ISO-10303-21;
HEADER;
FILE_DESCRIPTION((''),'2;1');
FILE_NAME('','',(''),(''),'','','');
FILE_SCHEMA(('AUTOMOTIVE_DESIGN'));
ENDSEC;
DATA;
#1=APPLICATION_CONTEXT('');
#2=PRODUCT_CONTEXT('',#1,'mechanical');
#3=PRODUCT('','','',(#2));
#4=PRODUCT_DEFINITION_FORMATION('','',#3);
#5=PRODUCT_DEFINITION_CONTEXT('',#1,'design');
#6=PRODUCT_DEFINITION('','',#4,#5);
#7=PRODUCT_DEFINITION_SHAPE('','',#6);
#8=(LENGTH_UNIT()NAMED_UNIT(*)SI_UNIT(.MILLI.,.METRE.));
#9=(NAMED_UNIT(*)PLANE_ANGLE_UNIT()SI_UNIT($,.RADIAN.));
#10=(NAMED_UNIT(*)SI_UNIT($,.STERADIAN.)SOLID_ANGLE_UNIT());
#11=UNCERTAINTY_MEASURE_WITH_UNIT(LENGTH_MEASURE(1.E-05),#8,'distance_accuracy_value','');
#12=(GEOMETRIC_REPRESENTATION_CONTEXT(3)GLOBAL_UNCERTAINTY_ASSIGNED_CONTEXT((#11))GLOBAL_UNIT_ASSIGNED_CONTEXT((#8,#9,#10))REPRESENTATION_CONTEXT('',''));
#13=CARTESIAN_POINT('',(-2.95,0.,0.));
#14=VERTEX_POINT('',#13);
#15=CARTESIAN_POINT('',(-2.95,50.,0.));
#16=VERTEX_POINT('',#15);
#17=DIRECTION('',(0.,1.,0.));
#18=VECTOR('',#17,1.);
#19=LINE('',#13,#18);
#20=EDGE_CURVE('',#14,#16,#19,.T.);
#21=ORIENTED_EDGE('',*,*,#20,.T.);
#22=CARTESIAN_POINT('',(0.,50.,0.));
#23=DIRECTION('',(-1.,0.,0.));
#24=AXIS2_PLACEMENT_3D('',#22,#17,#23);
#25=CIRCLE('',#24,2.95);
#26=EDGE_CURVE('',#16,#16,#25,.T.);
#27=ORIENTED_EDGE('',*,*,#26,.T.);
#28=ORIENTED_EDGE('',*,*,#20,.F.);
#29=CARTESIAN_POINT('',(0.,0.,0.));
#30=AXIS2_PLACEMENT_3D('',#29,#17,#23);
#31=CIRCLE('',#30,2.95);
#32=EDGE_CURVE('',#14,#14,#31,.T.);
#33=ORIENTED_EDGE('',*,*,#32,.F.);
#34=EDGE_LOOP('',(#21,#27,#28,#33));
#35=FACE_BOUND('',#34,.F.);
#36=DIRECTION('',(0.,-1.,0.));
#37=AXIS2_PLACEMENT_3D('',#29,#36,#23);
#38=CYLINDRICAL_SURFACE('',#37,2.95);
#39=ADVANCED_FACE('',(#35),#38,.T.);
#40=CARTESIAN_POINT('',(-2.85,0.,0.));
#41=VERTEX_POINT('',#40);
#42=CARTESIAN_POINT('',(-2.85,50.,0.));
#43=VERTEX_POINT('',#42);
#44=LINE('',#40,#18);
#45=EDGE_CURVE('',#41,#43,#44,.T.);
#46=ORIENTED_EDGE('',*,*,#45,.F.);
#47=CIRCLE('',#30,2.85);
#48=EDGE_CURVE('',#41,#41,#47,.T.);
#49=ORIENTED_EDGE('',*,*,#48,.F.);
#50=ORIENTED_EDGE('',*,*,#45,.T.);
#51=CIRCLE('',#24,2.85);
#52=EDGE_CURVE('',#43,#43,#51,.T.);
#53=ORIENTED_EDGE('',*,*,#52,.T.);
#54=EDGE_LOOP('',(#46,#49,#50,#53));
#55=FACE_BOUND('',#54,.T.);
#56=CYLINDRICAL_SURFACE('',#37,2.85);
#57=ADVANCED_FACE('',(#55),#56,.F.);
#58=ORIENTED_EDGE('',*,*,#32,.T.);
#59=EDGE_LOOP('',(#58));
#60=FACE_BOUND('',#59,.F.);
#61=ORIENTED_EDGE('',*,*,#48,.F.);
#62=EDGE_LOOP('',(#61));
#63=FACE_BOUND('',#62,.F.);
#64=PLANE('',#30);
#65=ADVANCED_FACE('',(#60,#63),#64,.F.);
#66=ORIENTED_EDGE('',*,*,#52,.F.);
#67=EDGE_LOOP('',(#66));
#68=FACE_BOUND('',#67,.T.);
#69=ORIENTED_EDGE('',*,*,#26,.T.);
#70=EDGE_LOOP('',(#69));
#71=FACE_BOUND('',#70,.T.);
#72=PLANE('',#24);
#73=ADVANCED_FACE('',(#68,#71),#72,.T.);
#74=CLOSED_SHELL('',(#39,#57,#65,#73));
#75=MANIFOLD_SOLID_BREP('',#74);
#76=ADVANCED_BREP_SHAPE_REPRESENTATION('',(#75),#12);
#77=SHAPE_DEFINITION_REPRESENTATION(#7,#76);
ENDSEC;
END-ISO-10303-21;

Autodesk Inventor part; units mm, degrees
ref_plane "YZ Plane" through (0, 0, 0) normal (1, 0, 0) x (0, 1, 0)
ref_plane "XZ Plane" through (0, 0, 0) normal (0, 1, 0) x (-1, 0, 0)
ref_plane "XY Plane" through (0, 0, 0) normal (0, 0, 1) x (1, 0, 0)
sketch "Sketch1" plane through (0, 0, 0) normal (0, 1, 0) x (-1, 0, 0)
  circle A0 centre (0, 0) radius 2.95
  circle A1 centre (0, 0) radius 2.85
  dimension "d0" = 5.9
  dimension "d4" = 0.1
extrude "Extrusion1" add sketch "Sketch1" along normal blind 50
properties part number "PerfilTubular_BaseSensor"
